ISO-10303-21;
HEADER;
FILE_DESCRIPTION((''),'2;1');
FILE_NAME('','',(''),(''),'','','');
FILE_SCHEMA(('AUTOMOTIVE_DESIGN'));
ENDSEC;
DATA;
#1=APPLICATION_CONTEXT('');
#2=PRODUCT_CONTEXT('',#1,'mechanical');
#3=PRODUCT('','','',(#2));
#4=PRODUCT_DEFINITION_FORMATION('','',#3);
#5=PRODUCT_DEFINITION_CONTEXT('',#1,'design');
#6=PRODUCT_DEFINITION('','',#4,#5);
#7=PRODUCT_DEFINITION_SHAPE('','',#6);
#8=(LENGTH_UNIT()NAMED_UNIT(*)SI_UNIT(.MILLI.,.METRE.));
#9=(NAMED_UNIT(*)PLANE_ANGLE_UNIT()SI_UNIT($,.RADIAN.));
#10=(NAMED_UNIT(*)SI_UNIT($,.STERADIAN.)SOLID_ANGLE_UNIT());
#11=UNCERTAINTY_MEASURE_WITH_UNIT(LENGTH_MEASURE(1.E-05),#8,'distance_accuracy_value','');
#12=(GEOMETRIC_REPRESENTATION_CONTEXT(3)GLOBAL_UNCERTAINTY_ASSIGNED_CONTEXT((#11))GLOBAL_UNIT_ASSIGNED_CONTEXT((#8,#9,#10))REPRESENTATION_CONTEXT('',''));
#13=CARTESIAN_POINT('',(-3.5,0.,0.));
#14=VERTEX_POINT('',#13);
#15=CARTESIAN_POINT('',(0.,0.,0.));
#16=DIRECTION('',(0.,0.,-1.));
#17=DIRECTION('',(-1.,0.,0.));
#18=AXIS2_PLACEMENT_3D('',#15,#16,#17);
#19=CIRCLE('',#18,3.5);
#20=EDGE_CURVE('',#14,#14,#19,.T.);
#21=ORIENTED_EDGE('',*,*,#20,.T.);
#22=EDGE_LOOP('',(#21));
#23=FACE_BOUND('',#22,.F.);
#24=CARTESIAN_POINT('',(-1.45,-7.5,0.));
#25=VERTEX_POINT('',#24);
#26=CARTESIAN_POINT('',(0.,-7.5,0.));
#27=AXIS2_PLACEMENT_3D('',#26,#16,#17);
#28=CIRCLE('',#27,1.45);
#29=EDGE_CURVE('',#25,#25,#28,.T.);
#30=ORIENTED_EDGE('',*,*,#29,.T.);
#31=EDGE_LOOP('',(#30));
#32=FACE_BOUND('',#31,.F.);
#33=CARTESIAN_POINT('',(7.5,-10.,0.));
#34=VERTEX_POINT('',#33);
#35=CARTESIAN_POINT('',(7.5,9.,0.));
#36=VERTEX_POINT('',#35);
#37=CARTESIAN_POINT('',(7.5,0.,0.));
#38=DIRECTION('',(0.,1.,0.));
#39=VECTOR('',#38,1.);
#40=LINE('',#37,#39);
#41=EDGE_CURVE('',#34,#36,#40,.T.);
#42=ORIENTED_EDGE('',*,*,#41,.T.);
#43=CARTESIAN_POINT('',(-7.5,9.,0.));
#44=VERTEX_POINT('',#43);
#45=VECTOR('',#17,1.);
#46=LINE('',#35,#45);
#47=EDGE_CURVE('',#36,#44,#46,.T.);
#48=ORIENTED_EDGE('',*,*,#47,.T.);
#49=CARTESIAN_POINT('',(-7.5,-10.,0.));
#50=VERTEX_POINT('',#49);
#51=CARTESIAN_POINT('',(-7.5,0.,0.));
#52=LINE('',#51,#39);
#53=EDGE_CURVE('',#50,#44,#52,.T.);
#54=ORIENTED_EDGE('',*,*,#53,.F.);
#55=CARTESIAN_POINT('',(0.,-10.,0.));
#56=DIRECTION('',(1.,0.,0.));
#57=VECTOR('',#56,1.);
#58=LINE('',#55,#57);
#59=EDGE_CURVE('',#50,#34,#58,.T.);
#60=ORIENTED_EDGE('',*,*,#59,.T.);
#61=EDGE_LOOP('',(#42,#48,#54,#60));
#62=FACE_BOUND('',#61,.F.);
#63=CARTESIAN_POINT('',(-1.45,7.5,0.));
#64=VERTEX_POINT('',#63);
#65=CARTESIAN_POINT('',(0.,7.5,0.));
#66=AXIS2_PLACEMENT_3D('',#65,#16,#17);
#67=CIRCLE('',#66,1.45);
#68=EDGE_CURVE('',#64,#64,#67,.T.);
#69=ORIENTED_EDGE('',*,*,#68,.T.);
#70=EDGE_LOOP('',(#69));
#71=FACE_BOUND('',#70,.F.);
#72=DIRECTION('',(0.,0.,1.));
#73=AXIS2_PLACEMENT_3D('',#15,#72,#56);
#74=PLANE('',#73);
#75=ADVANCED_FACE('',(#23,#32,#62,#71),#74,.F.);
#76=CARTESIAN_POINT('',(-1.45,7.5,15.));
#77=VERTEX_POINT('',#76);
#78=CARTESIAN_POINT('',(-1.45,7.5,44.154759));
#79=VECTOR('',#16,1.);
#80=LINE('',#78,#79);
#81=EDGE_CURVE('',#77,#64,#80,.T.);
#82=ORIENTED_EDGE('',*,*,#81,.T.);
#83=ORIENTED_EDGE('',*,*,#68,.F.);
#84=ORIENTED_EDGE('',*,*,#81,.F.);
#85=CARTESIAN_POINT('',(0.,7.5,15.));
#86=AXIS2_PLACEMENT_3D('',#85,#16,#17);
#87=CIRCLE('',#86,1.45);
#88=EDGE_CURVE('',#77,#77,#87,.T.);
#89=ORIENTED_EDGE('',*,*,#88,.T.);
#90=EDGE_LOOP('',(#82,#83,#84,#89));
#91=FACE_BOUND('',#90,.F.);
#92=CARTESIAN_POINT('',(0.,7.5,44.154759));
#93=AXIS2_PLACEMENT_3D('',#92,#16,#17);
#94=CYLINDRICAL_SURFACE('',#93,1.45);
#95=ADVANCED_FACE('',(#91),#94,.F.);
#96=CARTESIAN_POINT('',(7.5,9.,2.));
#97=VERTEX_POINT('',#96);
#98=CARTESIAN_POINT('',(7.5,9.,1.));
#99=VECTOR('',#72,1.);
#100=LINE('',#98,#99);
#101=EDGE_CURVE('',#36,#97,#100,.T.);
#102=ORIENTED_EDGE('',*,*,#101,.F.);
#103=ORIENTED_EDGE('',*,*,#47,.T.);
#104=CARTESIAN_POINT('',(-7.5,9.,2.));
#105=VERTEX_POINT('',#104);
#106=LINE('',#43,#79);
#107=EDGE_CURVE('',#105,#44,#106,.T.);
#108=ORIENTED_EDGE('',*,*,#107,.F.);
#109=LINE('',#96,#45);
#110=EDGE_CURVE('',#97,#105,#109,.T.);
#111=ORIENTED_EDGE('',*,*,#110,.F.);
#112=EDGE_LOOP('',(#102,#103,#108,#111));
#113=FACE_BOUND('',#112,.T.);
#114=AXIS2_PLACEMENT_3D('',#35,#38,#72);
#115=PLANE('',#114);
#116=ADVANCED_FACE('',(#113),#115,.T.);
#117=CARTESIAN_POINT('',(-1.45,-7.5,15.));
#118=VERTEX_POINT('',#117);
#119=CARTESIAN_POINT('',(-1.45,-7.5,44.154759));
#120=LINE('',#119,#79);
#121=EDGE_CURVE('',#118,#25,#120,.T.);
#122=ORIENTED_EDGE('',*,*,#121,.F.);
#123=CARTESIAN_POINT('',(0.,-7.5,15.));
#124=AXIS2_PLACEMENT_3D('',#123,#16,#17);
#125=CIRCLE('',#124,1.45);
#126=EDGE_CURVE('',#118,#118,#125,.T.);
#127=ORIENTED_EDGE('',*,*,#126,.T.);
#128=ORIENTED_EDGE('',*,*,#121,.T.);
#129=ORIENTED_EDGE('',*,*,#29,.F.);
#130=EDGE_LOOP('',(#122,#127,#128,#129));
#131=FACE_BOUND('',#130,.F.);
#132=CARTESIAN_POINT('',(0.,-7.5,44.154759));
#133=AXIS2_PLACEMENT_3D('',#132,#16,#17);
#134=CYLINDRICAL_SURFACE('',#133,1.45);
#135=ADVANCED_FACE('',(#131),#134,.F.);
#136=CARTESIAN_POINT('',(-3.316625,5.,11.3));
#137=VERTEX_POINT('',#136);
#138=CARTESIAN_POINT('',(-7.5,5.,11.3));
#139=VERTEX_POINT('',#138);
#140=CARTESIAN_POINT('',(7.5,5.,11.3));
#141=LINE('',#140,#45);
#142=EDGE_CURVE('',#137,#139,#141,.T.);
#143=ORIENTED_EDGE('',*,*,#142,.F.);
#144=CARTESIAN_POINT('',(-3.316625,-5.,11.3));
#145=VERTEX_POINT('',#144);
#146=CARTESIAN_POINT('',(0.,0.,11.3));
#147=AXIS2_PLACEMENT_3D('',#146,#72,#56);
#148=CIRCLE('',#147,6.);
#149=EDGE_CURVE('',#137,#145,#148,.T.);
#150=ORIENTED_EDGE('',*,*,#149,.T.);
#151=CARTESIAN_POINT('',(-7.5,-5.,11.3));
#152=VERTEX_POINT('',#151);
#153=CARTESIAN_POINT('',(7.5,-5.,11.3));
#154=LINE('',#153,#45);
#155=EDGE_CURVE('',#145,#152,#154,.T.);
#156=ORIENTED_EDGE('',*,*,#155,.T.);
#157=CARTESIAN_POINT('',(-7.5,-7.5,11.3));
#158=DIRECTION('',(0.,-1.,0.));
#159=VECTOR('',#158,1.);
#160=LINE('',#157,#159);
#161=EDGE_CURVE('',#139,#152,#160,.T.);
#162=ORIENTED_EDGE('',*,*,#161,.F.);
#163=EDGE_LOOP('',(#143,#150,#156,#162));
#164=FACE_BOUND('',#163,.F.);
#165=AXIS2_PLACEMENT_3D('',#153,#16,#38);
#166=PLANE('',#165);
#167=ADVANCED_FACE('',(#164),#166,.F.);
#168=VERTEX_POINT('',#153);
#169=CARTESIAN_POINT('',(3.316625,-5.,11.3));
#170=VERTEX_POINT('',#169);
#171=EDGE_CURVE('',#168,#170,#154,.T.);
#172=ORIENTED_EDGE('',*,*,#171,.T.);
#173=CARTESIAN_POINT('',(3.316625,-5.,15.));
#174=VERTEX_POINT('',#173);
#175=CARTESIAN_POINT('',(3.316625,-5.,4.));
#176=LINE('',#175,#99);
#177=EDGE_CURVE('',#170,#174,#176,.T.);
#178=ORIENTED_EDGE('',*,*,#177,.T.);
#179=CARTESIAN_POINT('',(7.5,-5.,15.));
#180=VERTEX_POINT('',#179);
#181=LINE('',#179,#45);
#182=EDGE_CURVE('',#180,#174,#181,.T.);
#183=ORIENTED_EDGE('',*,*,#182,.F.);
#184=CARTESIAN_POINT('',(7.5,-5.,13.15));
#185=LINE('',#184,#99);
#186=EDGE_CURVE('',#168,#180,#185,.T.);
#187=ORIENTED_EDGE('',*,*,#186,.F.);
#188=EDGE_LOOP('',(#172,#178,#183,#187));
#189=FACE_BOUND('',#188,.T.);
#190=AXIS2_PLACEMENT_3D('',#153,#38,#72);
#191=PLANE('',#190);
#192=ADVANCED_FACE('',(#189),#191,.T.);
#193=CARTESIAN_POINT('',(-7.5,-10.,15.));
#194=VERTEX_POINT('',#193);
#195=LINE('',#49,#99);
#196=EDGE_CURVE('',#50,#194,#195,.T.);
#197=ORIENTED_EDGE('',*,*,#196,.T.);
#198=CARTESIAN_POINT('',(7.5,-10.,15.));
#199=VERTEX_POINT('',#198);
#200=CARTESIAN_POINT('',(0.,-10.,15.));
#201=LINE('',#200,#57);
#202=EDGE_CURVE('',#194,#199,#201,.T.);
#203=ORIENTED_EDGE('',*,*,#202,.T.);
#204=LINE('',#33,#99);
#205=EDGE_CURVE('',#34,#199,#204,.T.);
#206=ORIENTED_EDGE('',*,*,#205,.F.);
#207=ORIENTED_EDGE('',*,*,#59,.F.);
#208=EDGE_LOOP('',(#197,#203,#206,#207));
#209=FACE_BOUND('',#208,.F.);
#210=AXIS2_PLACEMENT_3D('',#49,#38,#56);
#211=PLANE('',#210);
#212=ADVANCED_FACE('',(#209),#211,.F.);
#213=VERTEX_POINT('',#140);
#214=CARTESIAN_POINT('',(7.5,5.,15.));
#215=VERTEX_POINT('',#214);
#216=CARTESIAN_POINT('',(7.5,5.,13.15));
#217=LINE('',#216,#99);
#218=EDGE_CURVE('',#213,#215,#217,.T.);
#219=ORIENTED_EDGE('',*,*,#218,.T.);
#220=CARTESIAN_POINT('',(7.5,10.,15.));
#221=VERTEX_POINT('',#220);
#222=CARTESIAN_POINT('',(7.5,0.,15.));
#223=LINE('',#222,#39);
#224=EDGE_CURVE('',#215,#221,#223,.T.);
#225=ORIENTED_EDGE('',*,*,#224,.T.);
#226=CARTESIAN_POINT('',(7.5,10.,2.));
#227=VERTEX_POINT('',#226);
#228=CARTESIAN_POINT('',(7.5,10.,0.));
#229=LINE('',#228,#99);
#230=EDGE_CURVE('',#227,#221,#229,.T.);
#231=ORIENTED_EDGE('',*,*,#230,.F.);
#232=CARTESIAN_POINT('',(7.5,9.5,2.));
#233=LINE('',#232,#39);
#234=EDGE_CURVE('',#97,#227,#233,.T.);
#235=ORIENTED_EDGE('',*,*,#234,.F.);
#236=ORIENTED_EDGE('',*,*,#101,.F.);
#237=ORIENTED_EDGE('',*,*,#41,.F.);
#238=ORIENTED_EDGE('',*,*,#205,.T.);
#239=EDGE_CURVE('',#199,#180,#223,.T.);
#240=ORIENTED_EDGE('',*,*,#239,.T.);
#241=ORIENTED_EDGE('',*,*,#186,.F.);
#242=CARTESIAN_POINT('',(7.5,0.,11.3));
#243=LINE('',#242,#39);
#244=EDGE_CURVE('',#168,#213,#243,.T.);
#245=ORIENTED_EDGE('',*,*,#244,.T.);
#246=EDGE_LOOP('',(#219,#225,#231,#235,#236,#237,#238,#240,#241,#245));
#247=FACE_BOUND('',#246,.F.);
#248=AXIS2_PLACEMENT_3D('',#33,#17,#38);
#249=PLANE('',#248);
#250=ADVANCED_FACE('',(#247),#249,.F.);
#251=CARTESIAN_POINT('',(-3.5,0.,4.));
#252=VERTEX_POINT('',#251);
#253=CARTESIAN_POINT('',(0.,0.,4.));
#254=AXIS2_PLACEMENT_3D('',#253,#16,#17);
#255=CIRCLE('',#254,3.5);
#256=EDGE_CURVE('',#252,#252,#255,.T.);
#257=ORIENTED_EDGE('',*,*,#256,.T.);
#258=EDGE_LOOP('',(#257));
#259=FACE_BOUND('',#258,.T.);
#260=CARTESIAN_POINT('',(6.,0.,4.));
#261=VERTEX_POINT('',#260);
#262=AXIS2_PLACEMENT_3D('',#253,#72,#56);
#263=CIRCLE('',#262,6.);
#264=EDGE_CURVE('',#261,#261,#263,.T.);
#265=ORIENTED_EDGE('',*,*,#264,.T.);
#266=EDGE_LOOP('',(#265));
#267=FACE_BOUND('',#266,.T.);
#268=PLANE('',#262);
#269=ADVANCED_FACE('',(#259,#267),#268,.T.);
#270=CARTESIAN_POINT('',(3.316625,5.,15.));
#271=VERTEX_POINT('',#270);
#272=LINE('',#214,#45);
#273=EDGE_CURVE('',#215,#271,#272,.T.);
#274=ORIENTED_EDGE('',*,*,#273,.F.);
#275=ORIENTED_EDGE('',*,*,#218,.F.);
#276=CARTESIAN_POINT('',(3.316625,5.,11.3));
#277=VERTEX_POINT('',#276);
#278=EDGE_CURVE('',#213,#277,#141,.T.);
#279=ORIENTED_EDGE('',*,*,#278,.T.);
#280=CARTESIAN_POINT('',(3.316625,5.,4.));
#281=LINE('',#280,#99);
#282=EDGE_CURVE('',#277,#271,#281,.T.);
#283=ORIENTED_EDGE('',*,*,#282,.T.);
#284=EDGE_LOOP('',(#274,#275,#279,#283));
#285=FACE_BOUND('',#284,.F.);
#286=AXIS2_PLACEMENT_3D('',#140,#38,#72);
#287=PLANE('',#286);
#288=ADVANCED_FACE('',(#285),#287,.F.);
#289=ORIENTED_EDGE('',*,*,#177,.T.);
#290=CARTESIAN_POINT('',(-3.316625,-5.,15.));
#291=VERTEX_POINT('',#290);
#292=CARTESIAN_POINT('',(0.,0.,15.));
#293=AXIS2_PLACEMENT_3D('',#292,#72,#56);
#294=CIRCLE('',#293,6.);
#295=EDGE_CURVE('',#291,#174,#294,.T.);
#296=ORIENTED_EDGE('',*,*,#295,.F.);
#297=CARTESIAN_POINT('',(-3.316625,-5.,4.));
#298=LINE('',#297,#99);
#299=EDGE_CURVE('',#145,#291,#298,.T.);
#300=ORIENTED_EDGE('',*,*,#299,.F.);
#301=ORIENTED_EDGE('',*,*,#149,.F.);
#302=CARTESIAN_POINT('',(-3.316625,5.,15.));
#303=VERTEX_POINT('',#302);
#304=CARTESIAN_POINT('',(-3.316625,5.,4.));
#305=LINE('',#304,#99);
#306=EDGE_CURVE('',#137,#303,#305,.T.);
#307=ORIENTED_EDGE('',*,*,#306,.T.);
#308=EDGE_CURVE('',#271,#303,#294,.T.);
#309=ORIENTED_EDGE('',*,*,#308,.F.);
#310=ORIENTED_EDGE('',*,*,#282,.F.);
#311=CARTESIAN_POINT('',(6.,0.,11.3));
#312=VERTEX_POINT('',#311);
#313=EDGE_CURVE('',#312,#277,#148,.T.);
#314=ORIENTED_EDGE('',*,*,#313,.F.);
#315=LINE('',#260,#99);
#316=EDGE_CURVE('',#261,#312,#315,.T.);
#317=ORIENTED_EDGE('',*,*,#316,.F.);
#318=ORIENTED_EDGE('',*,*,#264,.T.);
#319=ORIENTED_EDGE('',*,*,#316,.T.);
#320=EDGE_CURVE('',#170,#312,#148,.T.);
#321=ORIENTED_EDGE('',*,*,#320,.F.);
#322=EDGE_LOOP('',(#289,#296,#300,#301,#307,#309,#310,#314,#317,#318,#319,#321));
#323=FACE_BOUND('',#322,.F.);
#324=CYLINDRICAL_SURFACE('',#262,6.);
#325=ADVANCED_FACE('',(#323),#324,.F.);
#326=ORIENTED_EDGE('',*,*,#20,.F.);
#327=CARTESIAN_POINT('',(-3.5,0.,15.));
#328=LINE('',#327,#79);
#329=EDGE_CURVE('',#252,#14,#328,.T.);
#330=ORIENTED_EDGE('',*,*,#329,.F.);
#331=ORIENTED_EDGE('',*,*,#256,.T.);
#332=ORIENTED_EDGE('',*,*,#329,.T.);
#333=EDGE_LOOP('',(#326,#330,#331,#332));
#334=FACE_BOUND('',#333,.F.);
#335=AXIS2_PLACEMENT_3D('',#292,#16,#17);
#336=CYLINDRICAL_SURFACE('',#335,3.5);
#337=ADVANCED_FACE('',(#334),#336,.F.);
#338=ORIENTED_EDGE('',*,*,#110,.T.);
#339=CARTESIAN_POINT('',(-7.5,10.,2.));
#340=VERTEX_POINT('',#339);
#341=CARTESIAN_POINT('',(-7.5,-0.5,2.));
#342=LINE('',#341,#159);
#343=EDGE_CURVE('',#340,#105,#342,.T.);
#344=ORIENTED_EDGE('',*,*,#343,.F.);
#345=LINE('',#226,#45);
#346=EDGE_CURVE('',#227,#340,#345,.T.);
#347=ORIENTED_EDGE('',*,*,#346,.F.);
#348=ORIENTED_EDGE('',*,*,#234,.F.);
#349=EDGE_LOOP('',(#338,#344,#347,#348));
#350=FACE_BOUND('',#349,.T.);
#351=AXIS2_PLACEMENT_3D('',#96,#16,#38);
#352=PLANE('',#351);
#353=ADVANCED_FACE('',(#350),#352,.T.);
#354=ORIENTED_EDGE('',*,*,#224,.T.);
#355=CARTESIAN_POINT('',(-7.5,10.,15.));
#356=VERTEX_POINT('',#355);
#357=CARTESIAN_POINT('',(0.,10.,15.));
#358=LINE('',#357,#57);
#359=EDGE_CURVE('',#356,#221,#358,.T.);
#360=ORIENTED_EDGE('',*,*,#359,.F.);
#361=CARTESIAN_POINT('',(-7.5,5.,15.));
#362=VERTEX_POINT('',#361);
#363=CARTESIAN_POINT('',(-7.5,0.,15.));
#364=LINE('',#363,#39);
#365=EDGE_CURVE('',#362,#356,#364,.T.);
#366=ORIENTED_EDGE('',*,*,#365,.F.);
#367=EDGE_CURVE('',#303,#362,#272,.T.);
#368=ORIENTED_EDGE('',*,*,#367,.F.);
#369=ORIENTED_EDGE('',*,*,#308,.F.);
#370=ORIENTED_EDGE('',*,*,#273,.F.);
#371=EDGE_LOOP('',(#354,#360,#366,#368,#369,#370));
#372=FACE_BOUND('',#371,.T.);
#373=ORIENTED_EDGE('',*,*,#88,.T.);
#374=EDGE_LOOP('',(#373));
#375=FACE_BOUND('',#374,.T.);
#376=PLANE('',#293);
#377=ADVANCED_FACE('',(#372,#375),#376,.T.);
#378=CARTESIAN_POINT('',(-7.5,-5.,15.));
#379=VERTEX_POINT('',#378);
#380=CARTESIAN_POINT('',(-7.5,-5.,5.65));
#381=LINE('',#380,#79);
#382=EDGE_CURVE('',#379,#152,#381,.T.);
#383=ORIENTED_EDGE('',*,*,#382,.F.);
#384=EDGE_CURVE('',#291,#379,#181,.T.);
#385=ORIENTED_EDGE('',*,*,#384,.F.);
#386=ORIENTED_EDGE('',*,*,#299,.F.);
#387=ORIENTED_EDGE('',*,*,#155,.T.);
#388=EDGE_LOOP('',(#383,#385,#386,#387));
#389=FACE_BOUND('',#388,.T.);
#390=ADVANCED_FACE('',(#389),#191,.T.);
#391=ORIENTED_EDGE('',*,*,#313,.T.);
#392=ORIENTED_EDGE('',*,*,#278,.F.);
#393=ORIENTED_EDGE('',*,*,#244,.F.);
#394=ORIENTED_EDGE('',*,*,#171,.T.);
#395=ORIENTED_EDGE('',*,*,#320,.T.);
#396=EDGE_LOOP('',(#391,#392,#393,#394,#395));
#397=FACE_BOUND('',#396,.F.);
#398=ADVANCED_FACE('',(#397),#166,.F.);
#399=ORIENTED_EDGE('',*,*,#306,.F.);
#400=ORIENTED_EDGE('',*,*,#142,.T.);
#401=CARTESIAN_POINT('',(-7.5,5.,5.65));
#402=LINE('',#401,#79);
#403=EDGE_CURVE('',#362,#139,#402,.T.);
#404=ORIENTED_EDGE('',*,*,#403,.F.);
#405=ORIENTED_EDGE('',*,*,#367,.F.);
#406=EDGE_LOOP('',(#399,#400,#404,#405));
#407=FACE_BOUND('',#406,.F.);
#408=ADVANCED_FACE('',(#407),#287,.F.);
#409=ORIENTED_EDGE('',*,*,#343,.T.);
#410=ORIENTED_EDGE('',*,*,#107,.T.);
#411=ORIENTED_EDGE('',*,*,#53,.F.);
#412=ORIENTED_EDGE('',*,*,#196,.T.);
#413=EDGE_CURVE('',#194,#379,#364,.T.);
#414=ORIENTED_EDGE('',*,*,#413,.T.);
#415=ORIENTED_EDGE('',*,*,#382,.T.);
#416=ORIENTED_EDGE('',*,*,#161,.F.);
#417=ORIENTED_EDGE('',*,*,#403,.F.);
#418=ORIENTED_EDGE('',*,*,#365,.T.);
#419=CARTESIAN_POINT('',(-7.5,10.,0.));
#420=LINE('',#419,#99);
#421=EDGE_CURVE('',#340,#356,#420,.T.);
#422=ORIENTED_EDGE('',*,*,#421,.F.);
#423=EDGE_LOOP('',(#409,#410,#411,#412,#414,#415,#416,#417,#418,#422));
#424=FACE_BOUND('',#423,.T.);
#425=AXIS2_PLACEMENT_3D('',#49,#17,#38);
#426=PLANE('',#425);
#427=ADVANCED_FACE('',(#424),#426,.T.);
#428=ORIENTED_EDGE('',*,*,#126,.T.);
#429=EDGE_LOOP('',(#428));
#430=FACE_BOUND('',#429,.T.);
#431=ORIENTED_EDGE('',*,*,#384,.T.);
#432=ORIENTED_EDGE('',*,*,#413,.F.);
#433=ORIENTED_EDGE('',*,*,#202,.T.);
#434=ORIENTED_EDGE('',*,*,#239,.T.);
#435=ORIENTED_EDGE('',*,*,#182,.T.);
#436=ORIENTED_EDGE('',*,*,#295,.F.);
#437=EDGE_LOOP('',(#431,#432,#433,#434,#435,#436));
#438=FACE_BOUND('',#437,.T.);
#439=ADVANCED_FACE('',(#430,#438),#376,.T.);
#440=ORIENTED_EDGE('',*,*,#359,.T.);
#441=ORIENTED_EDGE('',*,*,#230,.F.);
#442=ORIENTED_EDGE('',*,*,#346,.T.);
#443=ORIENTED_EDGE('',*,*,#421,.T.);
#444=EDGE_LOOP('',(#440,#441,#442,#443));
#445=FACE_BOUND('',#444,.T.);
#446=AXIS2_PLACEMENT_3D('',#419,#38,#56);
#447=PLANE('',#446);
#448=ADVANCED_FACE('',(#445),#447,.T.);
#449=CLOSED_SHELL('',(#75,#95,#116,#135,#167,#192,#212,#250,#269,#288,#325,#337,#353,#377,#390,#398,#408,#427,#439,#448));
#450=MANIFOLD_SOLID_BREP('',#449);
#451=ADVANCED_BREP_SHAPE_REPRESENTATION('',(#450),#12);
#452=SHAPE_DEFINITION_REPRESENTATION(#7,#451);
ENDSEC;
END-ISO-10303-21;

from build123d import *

# Parameters (mm, degrees)
F0_W           = 15
F0_H           = 20
F1_DEPTH       = 15
F3_D           = 7
F3_CBORE_D     = 12
F3_CBORE_DEPTH = 11
F4_D           = 2.9
F5_W           = 10
F5_H           = 3.7
F6_DEPTH       = 15.001
F7_W           = 1
F7_H           = 2
F8_DEPTH       = 15.001


with BuildPart() as f1:
    # F0 (on Top) → F1 (new body)
    with BuildSketch(Plane.XY):
        Rectangle(F0_W, F0_H)
    extrude(amount=F1_DEPTH)

    # F3 (through all)
    with Locations(Plane.XY.offset(15)):
        with Locations((0, 0)):
            CounterBoreHole(F3_D / 2, F3_CBORE_D / 2, F3_CBORE_DEPTH)

    # F4 (through all)
    with Locations(Plane.XY.offset(15)):
        with Locations((0, -7.5), (0, 7.5)):
            Hole(F4_D / 2)

    # F5 (on face) → F6 (cut, through all)
    with BuildSketch(Plane.YZ.offset(7.5)):
        with Locations((0, 13.15)):
            Rectangle(F5_W, F5_H)
    extrude(amount=-F6_DEPTH, mode=Mode.SUBTRACT)

    # F7 (on face) → F8 (cut, through all)
    with BuildSketch(Plane.YZ.offset(7.5)):
        with Locations((9.5, 1)):
            Rectangle(F7_W, F7_H)
    extrude(amount=-F8_DEPTH, mode=Mode.SUBTRACT)


solid = f1.part
